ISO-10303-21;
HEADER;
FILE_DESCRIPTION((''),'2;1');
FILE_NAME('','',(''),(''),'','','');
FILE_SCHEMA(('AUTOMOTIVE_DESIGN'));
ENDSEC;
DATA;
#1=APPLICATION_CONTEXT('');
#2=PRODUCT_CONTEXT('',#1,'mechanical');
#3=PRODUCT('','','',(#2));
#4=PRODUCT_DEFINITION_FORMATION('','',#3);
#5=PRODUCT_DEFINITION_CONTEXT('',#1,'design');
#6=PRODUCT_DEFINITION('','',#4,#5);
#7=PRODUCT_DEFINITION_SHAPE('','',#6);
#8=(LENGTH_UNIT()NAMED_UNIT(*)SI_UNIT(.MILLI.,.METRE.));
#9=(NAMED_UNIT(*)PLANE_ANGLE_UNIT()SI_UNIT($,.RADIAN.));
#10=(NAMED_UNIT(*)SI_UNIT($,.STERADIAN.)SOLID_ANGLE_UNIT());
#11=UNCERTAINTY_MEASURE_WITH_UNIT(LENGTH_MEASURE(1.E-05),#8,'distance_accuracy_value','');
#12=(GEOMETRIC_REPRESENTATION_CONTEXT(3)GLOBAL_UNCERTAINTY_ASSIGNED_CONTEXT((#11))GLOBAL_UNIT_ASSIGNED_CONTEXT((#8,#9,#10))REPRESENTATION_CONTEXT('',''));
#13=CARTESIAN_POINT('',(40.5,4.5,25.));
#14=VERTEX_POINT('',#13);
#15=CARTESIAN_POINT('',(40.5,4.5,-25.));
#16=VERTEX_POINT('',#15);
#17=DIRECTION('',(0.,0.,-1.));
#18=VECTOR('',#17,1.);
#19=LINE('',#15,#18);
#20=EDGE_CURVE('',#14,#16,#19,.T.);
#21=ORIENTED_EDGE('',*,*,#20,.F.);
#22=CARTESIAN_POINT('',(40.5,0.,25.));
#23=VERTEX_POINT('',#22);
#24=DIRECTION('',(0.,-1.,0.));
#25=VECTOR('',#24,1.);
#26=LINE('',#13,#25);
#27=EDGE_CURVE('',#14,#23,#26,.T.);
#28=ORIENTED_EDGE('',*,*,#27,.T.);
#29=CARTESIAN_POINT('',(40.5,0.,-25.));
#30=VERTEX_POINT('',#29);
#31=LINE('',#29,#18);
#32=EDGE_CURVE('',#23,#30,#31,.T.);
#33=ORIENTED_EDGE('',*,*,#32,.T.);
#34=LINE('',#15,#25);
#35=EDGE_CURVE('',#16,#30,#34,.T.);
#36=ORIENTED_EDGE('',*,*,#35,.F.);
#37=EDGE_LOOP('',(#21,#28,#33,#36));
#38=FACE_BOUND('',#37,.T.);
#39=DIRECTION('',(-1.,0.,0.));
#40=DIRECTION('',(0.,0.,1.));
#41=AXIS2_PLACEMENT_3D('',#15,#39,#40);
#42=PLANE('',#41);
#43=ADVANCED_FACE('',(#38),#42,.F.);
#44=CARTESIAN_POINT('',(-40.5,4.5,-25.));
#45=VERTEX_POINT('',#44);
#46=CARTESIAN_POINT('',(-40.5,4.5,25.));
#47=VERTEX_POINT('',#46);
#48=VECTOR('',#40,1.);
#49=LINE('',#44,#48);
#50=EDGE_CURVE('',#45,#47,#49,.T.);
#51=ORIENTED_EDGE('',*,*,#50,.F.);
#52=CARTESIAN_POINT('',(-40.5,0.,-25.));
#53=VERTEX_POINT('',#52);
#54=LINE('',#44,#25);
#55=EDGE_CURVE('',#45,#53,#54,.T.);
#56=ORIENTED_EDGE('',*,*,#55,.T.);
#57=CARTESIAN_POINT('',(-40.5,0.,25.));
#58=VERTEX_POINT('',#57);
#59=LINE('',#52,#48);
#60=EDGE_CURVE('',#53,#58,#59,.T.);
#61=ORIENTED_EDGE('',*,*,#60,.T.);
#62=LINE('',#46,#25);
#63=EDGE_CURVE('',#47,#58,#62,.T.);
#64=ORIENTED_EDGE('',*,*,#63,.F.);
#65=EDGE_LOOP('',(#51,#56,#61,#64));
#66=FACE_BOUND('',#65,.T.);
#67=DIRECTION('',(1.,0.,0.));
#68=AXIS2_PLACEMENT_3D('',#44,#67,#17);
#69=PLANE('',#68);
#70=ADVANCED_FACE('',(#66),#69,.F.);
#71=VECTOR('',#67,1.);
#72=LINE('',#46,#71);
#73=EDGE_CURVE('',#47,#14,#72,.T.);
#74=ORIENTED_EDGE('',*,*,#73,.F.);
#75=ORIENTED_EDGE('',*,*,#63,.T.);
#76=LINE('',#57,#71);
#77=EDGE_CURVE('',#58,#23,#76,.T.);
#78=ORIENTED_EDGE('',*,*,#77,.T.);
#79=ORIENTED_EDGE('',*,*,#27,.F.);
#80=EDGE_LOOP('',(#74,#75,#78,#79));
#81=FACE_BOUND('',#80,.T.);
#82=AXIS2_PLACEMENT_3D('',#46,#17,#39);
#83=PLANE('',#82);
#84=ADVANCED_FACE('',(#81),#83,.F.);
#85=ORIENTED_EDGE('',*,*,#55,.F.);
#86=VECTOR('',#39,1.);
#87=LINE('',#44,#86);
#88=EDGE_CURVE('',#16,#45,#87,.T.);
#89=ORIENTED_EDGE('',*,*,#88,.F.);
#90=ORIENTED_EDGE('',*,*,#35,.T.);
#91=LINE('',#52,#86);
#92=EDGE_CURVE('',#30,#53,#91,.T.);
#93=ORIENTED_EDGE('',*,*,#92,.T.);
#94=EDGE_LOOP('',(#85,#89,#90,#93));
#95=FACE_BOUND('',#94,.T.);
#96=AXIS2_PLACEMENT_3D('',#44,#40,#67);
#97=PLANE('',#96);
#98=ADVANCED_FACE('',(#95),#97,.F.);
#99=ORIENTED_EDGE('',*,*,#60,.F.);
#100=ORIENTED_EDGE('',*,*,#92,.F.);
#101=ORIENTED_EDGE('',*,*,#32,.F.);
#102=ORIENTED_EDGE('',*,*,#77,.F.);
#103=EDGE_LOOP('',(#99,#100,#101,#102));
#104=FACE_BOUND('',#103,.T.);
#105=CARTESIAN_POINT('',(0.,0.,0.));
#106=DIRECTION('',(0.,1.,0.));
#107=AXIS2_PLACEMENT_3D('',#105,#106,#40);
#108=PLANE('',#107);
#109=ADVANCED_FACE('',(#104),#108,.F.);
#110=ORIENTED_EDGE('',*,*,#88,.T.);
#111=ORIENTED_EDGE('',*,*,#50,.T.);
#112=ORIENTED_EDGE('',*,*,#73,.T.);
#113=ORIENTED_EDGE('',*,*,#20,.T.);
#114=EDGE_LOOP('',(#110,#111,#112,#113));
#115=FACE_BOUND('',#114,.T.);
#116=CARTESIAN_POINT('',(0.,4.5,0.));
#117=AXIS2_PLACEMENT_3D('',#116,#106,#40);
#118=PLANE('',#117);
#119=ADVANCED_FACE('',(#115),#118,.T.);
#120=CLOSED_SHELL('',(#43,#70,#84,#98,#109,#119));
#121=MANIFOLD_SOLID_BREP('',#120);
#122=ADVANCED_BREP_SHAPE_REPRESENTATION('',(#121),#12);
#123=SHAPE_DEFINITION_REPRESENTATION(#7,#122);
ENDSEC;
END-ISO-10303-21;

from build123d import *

# Parameters (mm, degrees)
SKETCH_1_W      = 81
SKETCH_1_H      = 50
EXTRUDE_1_DEPTH = 4.5


with BuildPart() as part:
    # 草圖1 → 填料-伸長1 (new body)
    with BuildSketch(Plane(origin=(0, 0, 0), x_dir=(1, 0, 0), z_dir=(0, 1, 0))):
        Rectangle(SKETCH_1_W, SKETCH_1_H)
    extrude(amount=EXTRUDE_1_DEPTH)


solid = part.part
